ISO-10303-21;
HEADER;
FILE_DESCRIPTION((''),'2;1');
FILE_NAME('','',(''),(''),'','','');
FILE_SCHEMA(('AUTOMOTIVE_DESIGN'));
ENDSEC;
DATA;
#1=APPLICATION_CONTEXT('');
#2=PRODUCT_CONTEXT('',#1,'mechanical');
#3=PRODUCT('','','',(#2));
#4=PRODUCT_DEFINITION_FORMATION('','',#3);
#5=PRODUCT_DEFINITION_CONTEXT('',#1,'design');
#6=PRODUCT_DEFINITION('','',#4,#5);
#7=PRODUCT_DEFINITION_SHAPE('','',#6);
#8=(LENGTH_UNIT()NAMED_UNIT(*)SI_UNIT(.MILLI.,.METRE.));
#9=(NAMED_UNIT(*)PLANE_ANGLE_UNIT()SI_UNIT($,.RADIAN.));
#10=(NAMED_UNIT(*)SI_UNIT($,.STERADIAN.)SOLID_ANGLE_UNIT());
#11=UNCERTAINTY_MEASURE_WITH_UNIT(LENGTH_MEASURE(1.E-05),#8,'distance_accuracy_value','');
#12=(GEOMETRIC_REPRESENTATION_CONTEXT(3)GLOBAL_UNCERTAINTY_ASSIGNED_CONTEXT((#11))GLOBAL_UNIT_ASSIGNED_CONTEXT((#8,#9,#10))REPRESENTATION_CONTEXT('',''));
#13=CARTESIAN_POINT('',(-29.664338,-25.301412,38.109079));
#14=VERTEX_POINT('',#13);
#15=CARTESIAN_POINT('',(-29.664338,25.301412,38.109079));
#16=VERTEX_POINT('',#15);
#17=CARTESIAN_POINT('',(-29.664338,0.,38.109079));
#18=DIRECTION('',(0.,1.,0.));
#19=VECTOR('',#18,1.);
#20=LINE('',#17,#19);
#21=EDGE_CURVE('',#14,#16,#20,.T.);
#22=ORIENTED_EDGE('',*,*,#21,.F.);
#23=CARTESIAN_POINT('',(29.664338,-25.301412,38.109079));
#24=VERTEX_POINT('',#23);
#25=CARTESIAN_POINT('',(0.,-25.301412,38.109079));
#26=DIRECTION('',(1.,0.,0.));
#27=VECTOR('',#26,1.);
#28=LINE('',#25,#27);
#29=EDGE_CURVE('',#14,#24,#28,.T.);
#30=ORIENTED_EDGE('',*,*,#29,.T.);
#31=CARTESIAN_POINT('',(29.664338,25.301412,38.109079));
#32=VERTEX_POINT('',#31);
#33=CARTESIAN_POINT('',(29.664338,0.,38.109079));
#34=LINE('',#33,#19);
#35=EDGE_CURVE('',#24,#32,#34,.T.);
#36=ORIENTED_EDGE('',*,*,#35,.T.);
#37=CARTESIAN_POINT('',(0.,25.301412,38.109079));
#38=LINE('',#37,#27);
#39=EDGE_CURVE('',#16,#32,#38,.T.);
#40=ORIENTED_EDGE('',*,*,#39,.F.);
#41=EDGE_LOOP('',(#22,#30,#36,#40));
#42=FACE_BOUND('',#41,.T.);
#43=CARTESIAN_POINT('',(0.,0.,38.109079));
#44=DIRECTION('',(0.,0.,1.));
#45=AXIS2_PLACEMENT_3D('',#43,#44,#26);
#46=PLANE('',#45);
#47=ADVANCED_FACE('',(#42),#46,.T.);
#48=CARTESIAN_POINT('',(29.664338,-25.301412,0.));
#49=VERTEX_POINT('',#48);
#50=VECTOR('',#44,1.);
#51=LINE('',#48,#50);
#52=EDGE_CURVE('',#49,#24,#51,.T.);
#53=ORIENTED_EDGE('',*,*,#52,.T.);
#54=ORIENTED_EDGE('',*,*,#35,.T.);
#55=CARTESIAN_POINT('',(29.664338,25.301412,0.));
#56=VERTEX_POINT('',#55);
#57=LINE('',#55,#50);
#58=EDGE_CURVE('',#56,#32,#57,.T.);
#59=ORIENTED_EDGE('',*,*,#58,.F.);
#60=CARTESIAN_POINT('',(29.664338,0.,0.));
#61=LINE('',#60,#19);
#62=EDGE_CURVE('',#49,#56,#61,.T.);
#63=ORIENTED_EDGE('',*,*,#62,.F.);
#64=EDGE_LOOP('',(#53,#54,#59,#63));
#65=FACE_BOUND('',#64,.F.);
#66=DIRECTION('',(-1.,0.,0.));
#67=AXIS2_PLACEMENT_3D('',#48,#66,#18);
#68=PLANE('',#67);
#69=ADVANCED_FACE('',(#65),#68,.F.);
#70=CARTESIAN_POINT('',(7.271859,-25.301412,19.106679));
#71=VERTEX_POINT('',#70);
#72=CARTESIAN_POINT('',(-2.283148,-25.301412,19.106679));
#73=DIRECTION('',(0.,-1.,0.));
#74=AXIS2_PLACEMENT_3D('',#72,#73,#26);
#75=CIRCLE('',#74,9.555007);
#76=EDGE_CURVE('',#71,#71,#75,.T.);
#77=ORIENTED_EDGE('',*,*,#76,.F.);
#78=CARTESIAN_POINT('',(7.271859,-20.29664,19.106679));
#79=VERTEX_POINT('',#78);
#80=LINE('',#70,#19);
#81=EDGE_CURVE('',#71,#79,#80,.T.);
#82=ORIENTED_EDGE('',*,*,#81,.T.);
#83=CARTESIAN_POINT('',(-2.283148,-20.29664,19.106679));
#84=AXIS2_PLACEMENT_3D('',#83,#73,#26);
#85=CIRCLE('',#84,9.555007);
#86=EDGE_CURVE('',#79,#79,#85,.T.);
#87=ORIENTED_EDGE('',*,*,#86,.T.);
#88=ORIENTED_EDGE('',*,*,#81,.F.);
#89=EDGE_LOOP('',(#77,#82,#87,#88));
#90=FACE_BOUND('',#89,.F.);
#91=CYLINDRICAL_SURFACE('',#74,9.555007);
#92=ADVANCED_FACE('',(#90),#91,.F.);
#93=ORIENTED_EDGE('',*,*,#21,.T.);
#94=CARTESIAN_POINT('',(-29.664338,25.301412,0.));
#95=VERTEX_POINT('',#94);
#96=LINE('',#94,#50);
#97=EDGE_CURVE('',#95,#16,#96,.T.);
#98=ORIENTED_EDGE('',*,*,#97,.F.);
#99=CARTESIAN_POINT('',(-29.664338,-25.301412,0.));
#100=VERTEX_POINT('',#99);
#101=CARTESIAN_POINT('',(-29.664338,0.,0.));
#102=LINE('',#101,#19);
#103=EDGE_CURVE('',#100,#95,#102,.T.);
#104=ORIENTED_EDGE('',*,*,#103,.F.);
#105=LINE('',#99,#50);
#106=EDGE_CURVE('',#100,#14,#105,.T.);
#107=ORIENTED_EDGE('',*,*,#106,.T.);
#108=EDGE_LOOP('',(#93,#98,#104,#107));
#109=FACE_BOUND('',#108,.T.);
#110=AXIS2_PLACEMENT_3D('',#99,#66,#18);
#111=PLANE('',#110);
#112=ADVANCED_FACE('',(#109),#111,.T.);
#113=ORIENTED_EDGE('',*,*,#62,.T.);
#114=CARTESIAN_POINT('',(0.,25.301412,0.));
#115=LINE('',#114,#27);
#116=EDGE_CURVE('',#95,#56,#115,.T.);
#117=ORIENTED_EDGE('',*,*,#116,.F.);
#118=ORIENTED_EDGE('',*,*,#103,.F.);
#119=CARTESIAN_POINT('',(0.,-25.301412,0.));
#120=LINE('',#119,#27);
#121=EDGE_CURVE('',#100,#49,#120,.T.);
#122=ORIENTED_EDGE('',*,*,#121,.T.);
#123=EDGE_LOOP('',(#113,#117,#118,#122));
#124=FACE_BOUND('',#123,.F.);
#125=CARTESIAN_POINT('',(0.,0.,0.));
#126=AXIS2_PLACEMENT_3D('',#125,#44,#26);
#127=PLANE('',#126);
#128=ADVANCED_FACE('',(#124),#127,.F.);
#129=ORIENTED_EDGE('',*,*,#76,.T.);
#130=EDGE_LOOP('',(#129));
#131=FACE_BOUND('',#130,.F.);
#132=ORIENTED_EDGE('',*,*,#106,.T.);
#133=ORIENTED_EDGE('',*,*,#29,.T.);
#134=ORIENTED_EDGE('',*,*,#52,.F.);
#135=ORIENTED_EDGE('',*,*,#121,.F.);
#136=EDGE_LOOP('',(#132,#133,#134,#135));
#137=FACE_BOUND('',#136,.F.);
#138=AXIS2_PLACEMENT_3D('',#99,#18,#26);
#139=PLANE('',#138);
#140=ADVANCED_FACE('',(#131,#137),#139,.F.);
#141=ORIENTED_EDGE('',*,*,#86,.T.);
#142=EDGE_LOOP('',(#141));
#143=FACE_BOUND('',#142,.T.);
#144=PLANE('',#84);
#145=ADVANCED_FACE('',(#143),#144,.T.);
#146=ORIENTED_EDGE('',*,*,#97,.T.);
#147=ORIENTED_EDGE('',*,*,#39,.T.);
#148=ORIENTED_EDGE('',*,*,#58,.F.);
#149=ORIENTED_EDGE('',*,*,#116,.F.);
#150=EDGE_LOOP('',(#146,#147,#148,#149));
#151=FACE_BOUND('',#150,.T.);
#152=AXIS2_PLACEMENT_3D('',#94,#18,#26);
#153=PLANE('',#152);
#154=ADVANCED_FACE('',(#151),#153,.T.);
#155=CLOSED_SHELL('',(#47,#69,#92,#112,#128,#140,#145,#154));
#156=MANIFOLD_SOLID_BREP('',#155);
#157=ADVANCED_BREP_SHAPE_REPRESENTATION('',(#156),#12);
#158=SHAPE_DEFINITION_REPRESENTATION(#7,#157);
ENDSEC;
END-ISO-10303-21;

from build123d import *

# Parameters (mm, degrees)
F0_W     = 59.328676
F0_H     = 50.602824
F1_DEPTH = 38.109079
F2_R     = 9.555007
F3_DEPTH = 5.004772


with BuildPart() as f1:
    # F0 (on Top) → F1 (new body)
    with BuildSketch(Plane.XY):
        Rectangle(F0_W, F0_H)
    extrude(amount=F1_DEPTH)

    # F2 (on face) → F3 (cut)
    with BuildSketch(Plane.XZ.offset(25.301412)):
        with Locations((-2.283148, 19.106679)):
            Circle(F2_R)
    extrude(amount=-F3_DEPTH, mode=Mode.SUBTRACT)


solid = f1.part
